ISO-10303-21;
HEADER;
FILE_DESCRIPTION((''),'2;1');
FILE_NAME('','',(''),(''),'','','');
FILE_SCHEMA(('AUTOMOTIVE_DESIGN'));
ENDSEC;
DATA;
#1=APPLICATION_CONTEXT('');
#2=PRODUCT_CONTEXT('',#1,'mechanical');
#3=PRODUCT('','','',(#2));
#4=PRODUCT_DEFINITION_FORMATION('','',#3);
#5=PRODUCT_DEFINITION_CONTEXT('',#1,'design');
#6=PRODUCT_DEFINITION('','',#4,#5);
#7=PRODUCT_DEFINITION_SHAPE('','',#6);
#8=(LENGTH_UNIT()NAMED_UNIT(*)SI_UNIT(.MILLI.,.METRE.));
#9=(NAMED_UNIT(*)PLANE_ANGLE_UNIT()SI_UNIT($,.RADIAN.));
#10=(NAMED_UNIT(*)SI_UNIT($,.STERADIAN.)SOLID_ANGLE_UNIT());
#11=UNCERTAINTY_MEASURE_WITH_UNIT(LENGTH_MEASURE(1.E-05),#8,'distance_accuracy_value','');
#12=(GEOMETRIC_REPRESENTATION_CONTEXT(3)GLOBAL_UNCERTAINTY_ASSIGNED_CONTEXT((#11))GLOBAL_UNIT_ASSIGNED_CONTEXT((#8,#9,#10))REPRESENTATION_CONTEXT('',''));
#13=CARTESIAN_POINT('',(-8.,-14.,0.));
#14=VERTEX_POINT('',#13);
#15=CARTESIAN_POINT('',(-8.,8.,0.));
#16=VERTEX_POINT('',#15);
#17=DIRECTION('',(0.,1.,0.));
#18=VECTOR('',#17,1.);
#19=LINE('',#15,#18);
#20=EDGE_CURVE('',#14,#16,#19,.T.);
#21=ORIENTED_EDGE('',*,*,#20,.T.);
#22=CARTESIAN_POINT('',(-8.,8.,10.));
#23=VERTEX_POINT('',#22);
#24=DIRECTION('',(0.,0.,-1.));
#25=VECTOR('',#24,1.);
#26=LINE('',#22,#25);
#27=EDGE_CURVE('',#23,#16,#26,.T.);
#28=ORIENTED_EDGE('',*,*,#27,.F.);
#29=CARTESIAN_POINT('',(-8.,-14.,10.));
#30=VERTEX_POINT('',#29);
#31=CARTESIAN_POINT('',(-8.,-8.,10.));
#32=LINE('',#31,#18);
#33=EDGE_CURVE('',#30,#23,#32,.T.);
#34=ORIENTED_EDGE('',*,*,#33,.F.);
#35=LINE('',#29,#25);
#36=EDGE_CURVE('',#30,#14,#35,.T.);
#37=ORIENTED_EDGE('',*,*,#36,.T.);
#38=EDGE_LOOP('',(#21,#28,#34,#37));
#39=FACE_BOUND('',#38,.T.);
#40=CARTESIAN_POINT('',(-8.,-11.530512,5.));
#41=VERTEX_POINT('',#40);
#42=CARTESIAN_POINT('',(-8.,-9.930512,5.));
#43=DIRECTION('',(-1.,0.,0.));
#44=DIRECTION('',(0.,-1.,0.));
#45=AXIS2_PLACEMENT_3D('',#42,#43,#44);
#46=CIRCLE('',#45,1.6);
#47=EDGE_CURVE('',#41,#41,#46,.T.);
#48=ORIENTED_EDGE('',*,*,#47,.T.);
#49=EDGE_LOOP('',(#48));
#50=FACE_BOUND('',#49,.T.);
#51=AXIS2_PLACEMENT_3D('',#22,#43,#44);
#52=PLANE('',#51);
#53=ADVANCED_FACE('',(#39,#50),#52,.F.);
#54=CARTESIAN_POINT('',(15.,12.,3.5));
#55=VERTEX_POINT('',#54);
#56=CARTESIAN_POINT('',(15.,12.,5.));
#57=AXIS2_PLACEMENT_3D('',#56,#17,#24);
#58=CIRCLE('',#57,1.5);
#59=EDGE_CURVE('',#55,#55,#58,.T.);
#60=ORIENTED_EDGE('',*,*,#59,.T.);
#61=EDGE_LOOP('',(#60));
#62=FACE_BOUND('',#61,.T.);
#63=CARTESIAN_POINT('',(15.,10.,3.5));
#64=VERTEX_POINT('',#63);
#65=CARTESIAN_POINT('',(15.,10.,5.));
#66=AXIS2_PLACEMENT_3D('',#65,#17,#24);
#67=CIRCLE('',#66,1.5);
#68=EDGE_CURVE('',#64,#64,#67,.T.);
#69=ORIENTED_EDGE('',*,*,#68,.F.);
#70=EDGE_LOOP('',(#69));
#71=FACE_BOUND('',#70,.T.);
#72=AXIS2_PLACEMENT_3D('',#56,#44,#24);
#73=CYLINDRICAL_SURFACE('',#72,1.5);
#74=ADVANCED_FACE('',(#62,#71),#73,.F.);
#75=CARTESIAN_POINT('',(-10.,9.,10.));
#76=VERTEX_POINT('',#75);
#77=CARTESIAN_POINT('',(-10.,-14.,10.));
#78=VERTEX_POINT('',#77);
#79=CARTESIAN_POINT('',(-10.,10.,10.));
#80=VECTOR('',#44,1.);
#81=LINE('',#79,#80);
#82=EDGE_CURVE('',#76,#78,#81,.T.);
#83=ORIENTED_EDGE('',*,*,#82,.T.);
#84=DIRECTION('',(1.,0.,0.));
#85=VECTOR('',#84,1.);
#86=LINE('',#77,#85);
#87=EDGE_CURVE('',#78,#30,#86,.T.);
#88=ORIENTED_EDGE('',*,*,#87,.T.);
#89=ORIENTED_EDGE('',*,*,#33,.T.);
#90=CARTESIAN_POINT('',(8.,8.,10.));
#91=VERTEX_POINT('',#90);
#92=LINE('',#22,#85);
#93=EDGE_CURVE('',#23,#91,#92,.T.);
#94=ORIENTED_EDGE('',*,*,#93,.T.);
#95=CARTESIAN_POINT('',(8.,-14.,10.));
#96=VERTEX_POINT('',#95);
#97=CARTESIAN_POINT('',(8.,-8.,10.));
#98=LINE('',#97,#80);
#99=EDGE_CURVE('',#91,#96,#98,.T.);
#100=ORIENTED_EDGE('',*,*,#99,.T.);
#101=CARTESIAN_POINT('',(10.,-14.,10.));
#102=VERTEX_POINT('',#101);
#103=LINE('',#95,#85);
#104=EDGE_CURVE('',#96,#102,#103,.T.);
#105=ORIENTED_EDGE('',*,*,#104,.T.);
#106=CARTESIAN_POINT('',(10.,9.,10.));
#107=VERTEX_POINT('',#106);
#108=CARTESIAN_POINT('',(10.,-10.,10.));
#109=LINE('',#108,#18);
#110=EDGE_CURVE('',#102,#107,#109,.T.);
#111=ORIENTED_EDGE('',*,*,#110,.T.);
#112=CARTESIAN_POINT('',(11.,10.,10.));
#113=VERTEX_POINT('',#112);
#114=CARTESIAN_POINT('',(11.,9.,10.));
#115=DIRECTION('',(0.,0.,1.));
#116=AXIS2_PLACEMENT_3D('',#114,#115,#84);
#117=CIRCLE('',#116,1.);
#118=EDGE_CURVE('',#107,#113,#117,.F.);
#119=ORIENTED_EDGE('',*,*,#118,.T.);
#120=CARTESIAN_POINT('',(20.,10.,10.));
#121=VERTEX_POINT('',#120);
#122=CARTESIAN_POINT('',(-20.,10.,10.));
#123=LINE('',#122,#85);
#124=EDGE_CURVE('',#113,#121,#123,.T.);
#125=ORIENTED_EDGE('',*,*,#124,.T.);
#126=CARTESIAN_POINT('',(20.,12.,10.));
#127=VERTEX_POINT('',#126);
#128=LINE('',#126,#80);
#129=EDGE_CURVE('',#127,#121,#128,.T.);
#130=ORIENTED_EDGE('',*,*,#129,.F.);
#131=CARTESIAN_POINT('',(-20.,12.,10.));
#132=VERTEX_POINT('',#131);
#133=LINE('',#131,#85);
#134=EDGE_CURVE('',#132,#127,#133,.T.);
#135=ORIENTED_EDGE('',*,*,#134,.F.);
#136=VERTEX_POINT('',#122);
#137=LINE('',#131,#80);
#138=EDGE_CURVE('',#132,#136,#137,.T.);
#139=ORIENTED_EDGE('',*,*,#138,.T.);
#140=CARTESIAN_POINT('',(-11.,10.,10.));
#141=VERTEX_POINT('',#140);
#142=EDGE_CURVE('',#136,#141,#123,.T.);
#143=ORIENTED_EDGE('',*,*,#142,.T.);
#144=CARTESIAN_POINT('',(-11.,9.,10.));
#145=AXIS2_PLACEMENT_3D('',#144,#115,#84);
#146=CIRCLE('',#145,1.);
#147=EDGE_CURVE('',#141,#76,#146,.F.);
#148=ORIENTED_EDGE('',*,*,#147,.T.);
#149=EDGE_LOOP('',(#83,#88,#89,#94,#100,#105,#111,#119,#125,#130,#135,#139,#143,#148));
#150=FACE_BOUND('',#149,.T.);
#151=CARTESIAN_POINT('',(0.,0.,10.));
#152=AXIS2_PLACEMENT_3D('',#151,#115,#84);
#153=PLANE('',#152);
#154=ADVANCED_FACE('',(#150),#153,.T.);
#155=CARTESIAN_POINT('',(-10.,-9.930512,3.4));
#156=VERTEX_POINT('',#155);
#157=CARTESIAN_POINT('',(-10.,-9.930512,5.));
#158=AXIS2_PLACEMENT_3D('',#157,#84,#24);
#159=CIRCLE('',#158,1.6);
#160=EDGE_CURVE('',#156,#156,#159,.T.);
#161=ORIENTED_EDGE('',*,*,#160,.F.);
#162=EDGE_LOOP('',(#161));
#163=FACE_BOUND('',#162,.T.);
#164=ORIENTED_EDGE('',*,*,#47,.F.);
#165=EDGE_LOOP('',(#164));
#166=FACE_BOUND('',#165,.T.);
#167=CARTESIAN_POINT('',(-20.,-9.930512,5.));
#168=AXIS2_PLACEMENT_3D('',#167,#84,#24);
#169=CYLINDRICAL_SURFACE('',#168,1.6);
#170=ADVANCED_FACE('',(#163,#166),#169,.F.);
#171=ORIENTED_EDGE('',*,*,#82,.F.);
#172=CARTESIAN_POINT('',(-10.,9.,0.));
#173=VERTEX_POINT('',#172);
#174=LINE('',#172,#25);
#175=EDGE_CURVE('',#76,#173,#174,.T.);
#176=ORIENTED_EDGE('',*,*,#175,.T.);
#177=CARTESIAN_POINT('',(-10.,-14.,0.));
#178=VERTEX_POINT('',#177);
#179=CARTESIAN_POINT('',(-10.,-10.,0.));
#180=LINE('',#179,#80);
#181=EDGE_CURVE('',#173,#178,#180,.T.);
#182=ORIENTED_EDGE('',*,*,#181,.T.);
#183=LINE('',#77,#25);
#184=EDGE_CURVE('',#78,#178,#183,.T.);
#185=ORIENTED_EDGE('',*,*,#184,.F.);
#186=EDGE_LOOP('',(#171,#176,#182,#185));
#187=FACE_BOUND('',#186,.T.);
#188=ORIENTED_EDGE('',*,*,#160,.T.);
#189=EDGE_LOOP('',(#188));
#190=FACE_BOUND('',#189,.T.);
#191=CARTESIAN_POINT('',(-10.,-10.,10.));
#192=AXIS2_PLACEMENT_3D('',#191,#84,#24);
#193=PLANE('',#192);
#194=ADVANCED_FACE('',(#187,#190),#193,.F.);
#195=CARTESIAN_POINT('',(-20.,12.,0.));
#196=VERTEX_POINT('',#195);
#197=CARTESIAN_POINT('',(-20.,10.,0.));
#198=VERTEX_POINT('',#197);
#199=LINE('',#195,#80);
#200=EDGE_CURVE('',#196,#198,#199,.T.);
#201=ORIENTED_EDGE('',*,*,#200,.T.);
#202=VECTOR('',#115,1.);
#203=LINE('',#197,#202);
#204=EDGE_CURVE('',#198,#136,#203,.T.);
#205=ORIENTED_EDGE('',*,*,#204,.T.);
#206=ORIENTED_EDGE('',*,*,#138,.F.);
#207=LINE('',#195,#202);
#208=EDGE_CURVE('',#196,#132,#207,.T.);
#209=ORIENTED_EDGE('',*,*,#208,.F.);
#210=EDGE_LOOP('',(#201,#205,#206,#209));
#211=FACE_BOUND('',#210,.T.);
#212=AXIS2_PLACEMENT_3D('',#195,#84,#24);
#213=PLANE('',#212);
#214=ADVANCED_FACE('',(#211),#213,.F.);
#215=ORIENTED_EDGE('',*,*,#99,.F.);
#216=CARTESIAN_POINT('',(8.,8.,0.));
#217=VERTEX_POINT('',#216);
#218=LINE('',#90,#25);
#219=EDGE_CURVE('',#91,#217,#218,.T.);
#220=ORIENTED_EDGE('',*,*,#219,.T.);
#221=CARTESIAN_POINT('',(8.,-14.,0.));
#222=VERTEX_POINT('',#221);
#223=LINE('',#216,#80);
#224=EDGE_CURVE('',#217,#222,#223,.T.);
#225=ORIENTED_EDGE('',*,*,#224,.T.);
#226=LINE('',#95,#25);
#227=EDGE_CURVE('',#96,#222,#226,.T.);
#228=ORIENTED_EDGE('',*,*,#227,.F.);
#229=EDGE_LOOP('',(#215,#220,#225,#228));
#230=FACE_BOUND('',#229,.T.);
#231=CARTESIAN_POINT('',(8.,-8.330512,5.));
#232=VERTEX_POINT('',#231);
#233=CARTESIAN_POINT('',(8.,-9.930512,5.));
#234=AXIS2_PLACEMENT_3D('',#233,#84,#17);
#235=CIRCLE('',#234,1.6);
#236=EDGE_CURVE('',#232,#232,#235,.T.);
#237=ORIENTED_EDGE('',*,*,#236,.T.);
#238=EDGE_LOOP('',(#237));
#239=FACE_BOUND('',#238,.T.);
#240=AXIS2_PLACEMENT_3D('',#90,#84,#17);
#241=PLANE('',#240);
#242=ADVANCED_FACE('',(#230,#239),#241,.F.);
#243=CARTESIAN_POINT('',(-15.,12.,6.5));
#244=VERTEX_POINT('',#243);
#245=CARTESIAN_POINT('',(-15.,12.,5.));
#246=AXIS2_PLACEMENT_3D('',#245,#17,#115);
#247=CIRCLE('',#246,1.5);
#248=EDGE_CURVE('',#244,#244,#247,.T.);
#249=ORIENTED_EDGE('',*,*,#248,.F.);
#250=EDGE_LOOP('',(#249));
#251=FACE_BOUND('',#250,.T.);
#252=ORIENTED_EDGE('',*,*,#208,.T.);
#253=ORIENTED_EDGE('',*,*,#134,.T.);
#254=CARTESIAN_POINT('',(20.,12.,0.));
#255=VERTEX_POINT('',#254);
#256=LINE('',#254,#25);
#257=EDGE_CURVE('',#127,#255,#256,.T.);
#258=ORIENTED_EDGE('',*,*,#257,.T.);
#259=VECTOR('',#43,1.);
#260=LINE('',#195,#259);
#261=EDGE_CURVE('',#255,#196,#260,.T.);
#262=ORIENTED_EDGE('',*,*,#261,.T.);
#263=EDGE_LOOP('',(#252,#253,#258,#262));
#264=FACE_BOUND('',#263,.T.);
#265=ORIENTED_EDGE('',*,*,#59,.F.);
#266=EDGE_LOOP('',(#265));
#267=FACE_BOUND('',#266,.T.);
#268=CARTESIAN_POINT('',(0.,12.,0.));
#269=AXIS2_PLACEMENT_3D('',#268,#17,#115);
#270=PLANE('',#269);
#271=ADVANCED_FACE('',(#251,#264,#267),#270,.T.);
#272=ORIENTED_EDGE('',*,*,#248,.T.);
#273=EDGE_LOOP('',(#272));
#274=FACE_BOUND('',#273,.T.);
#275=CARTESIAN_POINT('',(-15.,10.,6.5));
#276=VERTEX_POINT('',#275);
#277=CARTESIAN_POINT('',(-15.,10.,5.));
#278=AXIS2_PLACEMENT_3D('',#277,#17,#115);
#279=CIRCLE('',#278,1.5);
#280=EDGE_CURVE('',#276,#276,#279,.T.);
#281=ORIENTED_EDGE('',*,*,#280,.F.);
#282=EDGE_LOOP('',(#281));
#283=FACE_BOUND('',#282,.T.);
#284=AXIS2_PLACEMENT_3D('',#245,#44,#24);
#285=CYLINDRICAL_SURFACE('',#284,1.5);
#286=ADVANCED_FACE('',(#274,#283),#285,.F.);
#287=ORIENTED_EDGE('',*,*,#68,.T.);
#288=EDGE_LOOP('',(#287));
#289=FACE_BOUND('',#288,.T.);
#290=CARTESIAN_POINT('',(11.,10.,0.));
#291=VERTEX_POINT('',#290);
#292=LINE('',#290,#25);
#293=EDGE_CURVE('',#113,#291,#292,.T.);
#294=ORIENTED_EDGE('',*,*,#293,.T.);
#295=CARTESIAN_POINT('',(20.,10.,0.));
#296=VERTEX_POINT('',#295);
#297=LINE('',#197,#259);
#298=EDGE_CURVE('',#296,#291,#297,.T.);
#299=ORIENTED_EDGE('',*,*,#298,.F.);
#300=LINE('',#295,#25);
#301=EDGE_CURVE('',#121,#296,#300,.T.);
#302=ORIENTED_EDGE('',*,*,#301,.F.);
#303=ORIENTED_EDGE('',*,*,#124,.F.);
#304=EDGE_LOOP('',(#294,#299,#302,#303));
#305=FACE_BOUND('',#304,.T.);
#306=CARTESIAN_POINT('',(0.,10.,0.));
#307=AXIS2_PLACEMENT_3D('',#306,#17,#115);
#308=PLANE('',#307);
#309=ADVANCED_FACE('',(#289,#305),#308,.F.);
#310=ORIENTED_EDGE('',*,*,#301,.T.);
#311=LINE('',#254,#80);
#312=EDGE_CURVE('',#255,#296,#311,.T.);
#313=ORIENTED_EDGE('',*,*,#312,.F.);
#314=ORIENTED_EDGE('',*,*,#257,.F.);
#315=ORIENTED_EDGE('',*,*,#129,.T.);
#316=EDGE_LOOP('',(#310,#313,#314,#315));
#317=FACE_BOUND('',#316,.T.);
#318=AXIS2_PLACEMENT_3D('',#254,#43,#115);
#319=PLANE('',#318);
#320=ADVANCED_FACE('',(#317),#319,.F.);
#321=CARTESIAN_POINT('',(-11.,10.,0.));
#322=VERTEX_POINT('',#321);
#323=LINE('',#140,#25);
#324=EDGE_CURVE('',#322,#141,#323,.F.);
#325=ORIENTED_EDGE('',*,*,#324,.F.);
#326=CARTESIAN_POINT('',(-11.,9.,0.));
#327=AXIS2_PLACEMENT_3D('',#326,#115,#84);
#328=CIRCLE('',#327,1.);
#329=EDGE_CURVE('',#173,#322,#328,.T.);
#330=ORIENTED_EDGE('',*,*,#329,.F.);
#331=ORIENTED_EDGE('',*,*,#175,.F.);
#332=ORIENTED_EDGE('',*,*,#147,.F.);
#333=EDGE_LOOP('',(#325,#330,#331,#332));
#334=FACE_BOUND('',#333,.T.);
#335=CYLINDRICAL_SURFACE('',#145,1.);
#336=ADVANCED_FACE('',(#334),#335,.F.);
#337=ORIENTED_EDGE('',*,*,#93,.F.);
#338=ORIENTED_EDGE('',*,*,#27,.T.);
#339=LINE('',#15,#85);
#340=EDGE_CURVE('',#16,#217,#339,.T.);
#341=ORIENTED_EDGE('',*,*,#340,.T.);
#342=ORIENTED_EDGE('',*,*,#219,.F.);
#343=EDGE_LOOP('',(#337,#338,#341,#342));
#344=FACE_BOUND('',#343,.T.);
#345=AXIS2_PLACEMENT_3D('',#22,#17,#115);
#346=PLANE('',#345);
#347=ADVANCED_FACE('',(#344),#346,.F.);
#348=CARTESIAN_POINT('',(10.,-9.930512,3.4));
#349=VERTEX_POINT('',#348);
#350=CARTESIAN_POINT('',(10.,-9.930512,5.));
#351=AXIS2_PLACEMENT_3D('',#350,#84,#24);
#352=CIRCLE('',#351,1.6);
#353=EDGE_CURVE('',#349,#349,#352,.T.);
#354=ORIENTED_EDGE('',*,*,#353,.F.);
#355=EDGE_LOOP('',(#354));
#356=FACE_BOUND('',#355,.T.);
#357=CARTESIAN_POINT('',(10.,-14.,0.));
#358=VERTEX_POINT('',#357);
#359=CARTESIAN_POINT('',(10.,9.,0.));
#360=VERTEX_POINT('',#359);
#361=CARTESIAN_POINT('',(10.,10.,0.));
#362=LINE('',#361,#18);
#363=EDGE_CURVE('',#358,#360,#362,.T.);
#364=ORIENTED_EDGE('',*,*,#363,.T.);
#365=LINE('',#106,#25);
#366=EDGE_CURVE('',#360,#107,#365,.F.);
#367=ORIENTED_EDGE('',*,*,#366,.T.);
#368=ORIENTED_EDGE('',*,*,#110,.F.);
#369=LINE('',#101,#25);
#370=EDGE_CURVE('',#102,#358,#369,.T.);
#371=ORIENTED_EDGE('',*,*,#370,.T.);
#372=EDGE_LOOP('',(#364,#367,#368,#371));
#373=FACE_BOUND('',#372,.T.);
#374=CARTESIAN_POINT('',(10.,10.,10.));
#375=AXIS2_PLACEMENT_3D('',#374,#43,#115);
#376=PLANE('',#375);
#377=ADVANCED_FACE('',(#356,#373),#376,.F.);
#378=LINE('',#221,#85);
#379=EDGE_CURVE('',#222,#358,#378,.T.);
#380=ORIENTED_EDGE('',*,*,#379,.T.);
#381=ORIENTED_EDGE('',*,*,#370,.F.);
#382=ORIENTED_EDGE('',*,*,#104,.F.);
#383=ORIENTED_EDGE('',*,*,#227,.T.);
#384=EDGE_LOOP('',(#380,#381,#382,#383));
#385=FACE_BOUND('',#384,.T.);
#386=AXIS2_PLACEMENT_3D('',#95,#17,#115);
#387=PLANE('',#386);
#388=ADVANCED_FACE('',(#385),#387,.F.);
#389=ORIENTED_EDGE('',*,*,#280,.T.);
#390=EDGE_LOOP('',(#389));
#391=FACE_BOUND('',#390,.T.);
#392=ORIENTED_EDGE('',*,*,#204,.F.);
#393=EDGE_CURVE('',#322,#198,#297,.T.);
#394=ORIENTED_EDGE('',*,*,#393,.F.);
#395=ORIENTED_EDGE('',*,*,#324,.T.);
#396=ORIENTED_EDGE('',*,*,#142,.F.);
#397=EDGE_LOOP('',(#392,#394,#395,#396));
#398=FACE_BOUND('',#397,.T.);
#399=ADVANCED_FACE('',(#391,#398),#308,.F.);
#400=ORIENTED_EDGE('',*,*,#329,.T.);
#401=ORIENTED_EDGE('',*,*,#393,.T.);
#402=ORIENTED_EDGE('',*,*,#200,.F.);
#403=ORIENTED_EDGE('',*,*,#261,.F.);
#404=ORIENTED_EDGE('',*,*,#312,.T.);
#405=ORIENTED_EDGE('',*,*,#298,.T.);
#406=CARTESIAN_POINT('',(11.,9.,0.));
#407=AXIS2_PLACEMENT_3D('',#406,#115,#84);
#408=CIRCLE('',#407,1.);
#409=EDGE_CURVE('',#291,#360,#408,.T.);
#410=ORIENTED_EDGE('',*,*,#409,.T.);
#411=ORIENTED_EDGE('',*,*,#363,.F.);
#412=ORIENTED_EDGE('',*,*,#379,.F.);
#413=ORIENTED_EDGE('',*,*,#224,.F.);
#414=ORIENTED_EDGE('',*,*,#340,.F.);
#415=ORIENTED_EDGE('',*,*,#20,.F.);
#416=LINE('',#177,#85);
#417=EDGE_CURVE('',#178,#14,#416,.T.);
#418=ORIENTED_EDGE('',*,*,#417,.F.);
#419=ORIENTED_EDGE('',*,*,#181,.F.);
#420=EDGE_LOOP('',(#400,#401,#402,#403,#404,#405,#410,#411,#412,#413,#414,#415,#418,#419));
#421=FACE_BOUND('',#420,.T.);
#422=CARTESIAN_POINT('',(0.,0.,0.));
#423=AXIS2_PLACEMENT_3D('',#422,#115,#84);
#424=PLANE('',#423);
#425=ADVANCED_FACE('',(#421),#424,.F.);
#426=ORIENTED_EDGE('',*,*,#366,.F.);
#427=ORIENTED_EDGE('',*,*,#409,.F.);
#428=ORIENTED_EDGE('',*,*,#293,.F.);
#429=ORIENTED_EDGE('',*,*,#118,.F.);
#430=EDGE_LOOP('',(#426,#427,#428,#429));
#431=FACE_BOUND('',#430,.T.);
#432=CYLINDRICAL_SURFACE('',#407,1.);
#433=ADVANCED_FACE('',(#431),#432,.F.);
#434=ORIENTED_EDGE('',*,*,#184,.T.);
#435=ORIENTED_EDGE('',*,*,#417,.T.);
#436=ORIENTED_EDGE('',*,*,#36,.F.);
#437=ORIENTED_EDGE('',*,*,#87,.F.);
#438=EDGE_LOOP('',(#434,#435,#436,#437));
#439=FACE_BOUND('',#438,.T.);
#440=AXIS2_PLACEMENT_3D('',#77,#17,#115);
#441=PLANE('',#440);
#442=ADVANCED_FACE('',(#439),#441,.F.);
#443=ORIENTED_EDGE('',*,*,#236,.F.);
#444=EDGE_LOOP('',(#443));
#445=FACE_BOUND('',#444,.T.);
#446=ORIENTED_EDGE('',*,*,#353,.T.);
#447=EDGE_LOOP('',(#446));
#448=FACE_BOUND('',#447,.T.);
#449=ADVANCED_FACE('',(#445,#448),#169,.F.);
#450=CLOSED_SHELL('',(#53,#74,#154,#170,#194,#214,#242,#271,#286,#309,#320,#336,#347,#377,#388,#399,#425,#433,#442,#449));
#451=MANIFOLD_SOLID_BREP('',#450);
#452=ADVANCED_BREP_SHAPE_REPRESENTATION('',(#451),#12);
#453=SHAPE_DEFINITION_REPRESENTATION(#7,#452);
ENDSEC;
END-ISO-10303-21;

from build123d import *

# Parameters (mm, degrees)
BOSS_EXTRUDE1_DEPTH = 10
SKETCH2_W           = 40
SKETCH2_H           = 10
SKETCH2_R           = 1.5
BOSS_EXTRUDE2_DEPTH = 2
FILLET1_R           = 1
SKETCH3_R           = 1.6
CUT_EXTRUDE1_DEPTH  = 35.583232932


with BuildPart() as part:
    # Sketch1 → Boss-Extrude1 (new body)
    with BuildSketch(Plane.XY):
        Polygon((-10, 10), (-10, -10), (-10, -14), (-8, -14), (-8, -8), (-8, 8), (8, 8), (8, -8), (8, -14), (10, -14), (10, -10), (10, 10), align=None)
    extrude(amount=BOSS_EXTRUDE1_DEPTH)

    # Sketch2 → Boss-Extrude2 (add)
    with BuildSketch(Plane(origin=(0, 10, 0), x_dir=(1, 0, 0), z_dir=(0, 1, 0))):
        with Locations((0, -5)):
            Rectangle(SKETCH2_W, SKETCH2_H)
        with Locations(Location((-15, -5, 0), (0, 0, 270))):
            Circle(SKETCH2_R, mode=Mode.SUBTRACT)
        with Locations(Location((15, -5, 0), (0, 0, 90))):
            Circle(SKETCH2_R, mode=Mode.SUBTRACT)
    extrude(amount=BOSS_EXTRUDE2_DEPTH)

    # Fillet1
    fillet1_edges = [part.edges().sort_by_distance(p)[0] for p in [
        (-10, 10, 5),
        (10, 10, 5),
    ]]
    fillet(fillet1_edges, radius=FILLET1_R)

    # Sketch3 → Cut-Extrude1 (cut, through all)
    with BuildSketch(Plane(origin=(10, 0, 0), x_dir=(0, 0, -1), z_dir=(1, 0, 0))):
        with Locations((-5, -9.930512369)):
            Circle(SKETCH3_R)
    extrude(amount=-CUT_EXTRUDE1_DEPTH, mode=Mode.SUBTRACT)


solid = part.part
